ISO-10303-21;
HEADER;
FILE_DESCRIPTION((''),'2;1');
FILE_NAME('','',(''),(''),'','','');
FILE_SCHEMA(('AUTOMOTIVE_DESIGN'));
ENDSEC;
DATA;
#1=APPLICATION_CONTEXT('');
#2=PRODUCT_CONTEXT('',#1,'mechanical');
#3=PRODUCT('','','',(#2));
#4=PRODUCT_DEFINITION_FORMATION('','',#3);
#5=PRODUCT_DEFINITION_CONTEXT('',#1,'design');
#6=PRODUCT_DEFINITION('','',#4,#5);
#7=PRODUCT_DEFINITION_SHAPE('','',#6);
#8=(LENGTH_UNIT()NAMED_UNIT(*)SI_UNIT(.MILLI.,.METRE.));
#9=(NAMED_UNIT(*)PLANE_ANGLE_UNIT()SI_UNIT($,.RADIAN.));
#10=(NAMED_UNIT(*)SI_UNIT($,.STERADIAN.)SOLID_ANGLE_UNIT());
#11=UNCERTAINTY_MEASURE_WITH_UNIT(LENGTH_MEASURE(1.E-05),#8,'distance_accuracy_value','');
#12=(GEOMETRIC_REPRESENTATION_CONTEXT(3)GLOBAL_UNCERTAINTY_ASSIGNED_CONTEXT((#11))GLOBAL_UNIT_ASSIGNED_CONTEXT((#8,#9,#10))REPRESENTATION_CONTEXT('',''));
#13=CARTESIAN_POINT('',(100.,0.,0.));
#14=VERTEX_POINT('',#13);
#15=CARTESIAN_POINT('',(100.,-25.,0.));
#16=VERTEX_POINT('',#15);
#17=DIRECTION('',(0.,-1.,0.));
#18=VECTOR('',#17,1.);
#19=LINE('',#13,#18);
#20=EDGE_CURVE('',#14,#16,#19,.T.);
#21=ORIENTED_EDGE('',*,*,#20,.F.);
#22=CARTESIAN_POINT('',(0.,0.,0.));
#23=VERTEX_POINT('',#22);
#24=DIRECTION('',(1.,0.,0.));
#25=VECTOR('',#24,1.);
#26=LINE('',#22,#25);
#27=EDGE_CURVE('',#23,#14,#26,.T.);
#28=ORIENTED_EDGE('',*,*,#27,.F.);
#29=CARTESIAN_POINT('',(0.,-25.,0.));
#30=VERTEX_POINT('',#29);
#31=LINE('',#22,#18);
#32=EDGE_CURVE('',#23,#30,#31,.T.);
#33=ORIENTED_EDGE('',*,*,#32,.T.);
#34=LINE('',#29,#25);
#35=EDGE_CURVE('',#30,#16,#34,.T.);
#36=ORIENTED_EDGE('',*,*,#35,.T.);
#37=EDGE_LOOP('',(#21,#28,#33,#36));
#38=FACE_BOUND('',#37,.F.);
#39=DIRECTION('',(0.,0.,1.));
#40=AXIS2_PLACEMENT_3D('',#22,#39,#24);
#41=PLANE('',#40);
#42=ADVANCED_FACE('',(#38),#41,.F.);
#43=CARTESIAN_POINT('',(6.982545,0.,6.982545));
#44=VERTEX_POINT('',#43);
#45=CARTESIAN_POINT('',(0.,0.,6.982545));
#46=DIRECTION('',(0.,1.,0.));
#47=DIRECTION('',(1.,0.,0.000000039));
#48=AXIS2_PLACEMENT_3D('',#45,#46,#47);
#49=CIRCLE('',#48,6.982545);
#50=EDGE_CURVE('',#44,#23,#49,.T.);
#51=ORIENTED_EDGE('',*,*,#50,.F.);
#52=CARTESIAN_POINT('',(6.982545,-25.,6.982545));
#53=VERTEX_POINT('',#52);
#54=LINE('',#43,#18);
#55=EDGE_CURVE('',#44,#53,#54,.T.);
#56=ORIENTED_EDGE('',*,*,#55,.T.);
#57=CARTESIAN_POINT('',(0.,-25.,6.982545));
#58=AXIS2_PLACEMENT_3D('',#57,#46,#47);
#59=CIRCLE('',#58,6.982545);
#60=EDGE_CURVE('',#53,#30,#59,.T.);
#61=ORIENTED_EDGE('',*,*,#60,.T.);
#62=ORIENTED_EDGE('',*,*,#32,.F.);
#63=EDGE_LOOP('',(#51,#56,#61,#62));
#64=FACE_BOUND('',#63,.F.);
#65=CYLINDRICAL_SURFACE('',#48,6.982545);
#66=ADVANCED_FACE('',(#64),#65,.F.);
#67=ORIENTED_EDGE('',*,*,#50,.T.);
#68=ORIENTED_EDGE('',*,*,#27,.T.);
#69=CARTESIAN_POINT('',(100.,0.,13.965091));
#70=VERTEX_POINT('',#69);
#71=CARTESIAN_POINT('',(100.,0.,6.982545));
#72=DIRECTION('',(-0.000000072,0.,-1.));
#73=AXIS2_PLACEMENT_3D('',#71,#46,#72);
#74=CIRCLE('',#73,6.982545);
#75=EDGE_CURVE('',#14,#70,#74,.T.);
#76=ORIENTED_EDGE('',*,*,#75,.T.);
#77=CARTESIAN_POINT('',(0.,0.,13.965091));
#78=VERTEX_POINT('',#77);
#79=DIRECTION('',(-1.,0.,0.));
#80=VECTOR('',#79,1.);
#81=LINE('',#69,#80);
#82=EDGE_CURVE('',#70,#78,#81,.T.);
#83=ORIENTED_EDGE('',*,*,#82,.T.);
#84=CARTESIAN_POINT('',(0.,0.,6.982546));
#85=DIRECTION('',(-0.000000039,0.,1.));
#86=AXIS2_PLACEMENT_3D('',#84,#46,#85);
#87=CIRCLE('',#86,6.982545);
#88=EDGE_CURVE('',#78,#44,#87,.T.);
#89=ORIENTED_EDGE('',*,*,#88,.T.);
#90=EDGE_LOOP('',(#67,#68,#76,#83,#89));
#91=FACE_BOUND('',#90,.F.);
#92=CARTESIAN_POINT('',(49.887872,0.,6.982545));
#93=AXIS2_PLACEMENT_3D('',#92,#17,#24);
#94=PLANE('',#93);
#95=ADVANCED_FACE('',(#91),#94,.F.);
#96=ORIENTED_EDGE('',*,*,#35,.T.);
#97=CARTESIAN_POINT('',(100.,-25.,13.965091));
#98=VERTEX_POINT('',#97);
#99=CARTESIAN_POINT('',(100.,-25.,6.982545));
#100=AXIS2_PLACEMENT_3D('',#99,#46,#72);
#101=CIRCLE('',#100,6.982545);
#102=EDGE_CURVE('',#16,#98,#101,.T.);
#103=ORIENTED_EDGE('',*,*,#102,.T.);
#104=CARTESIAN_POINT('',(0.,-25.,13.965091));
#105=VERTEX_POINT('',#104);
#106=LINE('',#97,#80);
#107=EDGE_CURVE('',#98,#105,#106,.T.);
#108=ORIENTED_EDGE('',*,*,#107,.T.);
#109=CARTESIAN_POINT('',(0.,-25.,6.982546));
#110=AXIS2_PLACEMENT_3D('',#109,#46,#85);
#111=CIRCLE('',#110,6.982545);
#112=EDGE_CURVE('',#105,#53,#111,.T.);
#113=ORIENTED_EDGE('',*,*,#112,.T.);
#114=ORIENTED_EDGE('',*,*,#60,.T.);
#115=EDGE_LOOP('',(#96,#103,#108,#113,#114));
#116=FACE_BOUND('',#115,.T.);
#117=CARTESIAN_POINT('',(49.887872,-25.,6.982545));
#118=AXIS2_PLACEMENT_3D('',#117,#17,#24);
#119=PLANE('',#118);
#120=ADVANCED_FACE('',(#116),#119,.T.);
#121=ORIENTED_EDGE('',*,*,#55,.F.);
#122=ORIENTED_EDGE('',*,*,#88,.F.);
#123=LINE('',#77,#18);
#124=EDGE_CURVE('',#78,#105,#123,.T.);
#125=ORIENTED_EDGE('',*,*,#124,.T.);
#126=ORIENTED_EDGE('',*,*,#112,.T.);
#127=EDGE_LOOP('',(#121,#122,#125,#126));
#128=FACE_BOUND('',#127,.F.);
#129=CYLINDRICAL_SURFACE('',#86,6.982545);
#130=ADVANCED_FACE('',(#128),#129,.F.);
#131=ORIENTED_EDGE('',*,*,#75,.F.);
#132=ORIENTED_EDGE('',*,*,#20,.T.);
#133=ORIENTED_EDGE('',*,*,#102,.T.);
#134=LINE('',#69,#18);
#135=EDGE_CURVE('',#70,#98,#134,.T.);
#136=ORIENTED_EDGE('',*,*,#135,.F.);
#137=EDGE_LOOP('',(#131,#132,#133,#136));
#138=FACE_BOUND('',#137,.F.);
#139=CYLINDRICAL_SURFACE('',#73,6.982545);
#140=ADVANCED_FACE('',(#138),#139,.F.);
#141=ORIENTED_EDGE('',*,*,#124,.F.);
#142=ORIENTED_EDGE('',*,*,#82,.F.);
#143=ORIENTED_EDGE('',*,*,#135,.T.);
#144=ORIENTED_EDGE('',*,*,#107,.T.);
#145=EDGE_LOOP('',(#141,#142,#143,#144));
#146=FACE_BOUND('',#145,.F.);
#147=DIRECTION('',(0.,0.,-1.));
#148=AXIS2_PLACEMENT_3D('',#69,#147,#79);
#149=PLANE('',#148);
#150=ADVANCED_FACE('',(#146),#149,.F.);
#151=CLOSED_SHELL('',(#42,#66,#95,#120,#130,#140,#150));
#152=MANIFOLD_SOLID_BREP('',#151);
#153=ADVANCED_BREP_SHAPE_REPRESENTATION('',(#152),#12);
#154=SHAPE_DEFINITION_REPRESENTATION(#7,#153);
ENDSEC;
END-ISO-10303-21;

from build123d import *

# Parameters (mm, degrees)
F1_DEPTH = 25


with BuildPart() as f1:
    # F0 (on Front) → F1 (new body)
    with BuildSketch(Plane.XZ):
        with BuildLine():
            ThreePointArc((6.982545, 6.982545), (4.937405, 2.04514), (0, 0))
            Line((0, 0), (100, 0))
            ThreePointArc((100, 0), (93.017455, 6.982545), (100, 13.965091))
            Line((100, 13.965091), (0, 13.965091))
            ThreePointArc((0, 13.965091), (4.937405, 11.919951), (6.982545, 6.982545))
        make_face()
    extrude(amount=F1_DEPTH)


solid = f1.part
